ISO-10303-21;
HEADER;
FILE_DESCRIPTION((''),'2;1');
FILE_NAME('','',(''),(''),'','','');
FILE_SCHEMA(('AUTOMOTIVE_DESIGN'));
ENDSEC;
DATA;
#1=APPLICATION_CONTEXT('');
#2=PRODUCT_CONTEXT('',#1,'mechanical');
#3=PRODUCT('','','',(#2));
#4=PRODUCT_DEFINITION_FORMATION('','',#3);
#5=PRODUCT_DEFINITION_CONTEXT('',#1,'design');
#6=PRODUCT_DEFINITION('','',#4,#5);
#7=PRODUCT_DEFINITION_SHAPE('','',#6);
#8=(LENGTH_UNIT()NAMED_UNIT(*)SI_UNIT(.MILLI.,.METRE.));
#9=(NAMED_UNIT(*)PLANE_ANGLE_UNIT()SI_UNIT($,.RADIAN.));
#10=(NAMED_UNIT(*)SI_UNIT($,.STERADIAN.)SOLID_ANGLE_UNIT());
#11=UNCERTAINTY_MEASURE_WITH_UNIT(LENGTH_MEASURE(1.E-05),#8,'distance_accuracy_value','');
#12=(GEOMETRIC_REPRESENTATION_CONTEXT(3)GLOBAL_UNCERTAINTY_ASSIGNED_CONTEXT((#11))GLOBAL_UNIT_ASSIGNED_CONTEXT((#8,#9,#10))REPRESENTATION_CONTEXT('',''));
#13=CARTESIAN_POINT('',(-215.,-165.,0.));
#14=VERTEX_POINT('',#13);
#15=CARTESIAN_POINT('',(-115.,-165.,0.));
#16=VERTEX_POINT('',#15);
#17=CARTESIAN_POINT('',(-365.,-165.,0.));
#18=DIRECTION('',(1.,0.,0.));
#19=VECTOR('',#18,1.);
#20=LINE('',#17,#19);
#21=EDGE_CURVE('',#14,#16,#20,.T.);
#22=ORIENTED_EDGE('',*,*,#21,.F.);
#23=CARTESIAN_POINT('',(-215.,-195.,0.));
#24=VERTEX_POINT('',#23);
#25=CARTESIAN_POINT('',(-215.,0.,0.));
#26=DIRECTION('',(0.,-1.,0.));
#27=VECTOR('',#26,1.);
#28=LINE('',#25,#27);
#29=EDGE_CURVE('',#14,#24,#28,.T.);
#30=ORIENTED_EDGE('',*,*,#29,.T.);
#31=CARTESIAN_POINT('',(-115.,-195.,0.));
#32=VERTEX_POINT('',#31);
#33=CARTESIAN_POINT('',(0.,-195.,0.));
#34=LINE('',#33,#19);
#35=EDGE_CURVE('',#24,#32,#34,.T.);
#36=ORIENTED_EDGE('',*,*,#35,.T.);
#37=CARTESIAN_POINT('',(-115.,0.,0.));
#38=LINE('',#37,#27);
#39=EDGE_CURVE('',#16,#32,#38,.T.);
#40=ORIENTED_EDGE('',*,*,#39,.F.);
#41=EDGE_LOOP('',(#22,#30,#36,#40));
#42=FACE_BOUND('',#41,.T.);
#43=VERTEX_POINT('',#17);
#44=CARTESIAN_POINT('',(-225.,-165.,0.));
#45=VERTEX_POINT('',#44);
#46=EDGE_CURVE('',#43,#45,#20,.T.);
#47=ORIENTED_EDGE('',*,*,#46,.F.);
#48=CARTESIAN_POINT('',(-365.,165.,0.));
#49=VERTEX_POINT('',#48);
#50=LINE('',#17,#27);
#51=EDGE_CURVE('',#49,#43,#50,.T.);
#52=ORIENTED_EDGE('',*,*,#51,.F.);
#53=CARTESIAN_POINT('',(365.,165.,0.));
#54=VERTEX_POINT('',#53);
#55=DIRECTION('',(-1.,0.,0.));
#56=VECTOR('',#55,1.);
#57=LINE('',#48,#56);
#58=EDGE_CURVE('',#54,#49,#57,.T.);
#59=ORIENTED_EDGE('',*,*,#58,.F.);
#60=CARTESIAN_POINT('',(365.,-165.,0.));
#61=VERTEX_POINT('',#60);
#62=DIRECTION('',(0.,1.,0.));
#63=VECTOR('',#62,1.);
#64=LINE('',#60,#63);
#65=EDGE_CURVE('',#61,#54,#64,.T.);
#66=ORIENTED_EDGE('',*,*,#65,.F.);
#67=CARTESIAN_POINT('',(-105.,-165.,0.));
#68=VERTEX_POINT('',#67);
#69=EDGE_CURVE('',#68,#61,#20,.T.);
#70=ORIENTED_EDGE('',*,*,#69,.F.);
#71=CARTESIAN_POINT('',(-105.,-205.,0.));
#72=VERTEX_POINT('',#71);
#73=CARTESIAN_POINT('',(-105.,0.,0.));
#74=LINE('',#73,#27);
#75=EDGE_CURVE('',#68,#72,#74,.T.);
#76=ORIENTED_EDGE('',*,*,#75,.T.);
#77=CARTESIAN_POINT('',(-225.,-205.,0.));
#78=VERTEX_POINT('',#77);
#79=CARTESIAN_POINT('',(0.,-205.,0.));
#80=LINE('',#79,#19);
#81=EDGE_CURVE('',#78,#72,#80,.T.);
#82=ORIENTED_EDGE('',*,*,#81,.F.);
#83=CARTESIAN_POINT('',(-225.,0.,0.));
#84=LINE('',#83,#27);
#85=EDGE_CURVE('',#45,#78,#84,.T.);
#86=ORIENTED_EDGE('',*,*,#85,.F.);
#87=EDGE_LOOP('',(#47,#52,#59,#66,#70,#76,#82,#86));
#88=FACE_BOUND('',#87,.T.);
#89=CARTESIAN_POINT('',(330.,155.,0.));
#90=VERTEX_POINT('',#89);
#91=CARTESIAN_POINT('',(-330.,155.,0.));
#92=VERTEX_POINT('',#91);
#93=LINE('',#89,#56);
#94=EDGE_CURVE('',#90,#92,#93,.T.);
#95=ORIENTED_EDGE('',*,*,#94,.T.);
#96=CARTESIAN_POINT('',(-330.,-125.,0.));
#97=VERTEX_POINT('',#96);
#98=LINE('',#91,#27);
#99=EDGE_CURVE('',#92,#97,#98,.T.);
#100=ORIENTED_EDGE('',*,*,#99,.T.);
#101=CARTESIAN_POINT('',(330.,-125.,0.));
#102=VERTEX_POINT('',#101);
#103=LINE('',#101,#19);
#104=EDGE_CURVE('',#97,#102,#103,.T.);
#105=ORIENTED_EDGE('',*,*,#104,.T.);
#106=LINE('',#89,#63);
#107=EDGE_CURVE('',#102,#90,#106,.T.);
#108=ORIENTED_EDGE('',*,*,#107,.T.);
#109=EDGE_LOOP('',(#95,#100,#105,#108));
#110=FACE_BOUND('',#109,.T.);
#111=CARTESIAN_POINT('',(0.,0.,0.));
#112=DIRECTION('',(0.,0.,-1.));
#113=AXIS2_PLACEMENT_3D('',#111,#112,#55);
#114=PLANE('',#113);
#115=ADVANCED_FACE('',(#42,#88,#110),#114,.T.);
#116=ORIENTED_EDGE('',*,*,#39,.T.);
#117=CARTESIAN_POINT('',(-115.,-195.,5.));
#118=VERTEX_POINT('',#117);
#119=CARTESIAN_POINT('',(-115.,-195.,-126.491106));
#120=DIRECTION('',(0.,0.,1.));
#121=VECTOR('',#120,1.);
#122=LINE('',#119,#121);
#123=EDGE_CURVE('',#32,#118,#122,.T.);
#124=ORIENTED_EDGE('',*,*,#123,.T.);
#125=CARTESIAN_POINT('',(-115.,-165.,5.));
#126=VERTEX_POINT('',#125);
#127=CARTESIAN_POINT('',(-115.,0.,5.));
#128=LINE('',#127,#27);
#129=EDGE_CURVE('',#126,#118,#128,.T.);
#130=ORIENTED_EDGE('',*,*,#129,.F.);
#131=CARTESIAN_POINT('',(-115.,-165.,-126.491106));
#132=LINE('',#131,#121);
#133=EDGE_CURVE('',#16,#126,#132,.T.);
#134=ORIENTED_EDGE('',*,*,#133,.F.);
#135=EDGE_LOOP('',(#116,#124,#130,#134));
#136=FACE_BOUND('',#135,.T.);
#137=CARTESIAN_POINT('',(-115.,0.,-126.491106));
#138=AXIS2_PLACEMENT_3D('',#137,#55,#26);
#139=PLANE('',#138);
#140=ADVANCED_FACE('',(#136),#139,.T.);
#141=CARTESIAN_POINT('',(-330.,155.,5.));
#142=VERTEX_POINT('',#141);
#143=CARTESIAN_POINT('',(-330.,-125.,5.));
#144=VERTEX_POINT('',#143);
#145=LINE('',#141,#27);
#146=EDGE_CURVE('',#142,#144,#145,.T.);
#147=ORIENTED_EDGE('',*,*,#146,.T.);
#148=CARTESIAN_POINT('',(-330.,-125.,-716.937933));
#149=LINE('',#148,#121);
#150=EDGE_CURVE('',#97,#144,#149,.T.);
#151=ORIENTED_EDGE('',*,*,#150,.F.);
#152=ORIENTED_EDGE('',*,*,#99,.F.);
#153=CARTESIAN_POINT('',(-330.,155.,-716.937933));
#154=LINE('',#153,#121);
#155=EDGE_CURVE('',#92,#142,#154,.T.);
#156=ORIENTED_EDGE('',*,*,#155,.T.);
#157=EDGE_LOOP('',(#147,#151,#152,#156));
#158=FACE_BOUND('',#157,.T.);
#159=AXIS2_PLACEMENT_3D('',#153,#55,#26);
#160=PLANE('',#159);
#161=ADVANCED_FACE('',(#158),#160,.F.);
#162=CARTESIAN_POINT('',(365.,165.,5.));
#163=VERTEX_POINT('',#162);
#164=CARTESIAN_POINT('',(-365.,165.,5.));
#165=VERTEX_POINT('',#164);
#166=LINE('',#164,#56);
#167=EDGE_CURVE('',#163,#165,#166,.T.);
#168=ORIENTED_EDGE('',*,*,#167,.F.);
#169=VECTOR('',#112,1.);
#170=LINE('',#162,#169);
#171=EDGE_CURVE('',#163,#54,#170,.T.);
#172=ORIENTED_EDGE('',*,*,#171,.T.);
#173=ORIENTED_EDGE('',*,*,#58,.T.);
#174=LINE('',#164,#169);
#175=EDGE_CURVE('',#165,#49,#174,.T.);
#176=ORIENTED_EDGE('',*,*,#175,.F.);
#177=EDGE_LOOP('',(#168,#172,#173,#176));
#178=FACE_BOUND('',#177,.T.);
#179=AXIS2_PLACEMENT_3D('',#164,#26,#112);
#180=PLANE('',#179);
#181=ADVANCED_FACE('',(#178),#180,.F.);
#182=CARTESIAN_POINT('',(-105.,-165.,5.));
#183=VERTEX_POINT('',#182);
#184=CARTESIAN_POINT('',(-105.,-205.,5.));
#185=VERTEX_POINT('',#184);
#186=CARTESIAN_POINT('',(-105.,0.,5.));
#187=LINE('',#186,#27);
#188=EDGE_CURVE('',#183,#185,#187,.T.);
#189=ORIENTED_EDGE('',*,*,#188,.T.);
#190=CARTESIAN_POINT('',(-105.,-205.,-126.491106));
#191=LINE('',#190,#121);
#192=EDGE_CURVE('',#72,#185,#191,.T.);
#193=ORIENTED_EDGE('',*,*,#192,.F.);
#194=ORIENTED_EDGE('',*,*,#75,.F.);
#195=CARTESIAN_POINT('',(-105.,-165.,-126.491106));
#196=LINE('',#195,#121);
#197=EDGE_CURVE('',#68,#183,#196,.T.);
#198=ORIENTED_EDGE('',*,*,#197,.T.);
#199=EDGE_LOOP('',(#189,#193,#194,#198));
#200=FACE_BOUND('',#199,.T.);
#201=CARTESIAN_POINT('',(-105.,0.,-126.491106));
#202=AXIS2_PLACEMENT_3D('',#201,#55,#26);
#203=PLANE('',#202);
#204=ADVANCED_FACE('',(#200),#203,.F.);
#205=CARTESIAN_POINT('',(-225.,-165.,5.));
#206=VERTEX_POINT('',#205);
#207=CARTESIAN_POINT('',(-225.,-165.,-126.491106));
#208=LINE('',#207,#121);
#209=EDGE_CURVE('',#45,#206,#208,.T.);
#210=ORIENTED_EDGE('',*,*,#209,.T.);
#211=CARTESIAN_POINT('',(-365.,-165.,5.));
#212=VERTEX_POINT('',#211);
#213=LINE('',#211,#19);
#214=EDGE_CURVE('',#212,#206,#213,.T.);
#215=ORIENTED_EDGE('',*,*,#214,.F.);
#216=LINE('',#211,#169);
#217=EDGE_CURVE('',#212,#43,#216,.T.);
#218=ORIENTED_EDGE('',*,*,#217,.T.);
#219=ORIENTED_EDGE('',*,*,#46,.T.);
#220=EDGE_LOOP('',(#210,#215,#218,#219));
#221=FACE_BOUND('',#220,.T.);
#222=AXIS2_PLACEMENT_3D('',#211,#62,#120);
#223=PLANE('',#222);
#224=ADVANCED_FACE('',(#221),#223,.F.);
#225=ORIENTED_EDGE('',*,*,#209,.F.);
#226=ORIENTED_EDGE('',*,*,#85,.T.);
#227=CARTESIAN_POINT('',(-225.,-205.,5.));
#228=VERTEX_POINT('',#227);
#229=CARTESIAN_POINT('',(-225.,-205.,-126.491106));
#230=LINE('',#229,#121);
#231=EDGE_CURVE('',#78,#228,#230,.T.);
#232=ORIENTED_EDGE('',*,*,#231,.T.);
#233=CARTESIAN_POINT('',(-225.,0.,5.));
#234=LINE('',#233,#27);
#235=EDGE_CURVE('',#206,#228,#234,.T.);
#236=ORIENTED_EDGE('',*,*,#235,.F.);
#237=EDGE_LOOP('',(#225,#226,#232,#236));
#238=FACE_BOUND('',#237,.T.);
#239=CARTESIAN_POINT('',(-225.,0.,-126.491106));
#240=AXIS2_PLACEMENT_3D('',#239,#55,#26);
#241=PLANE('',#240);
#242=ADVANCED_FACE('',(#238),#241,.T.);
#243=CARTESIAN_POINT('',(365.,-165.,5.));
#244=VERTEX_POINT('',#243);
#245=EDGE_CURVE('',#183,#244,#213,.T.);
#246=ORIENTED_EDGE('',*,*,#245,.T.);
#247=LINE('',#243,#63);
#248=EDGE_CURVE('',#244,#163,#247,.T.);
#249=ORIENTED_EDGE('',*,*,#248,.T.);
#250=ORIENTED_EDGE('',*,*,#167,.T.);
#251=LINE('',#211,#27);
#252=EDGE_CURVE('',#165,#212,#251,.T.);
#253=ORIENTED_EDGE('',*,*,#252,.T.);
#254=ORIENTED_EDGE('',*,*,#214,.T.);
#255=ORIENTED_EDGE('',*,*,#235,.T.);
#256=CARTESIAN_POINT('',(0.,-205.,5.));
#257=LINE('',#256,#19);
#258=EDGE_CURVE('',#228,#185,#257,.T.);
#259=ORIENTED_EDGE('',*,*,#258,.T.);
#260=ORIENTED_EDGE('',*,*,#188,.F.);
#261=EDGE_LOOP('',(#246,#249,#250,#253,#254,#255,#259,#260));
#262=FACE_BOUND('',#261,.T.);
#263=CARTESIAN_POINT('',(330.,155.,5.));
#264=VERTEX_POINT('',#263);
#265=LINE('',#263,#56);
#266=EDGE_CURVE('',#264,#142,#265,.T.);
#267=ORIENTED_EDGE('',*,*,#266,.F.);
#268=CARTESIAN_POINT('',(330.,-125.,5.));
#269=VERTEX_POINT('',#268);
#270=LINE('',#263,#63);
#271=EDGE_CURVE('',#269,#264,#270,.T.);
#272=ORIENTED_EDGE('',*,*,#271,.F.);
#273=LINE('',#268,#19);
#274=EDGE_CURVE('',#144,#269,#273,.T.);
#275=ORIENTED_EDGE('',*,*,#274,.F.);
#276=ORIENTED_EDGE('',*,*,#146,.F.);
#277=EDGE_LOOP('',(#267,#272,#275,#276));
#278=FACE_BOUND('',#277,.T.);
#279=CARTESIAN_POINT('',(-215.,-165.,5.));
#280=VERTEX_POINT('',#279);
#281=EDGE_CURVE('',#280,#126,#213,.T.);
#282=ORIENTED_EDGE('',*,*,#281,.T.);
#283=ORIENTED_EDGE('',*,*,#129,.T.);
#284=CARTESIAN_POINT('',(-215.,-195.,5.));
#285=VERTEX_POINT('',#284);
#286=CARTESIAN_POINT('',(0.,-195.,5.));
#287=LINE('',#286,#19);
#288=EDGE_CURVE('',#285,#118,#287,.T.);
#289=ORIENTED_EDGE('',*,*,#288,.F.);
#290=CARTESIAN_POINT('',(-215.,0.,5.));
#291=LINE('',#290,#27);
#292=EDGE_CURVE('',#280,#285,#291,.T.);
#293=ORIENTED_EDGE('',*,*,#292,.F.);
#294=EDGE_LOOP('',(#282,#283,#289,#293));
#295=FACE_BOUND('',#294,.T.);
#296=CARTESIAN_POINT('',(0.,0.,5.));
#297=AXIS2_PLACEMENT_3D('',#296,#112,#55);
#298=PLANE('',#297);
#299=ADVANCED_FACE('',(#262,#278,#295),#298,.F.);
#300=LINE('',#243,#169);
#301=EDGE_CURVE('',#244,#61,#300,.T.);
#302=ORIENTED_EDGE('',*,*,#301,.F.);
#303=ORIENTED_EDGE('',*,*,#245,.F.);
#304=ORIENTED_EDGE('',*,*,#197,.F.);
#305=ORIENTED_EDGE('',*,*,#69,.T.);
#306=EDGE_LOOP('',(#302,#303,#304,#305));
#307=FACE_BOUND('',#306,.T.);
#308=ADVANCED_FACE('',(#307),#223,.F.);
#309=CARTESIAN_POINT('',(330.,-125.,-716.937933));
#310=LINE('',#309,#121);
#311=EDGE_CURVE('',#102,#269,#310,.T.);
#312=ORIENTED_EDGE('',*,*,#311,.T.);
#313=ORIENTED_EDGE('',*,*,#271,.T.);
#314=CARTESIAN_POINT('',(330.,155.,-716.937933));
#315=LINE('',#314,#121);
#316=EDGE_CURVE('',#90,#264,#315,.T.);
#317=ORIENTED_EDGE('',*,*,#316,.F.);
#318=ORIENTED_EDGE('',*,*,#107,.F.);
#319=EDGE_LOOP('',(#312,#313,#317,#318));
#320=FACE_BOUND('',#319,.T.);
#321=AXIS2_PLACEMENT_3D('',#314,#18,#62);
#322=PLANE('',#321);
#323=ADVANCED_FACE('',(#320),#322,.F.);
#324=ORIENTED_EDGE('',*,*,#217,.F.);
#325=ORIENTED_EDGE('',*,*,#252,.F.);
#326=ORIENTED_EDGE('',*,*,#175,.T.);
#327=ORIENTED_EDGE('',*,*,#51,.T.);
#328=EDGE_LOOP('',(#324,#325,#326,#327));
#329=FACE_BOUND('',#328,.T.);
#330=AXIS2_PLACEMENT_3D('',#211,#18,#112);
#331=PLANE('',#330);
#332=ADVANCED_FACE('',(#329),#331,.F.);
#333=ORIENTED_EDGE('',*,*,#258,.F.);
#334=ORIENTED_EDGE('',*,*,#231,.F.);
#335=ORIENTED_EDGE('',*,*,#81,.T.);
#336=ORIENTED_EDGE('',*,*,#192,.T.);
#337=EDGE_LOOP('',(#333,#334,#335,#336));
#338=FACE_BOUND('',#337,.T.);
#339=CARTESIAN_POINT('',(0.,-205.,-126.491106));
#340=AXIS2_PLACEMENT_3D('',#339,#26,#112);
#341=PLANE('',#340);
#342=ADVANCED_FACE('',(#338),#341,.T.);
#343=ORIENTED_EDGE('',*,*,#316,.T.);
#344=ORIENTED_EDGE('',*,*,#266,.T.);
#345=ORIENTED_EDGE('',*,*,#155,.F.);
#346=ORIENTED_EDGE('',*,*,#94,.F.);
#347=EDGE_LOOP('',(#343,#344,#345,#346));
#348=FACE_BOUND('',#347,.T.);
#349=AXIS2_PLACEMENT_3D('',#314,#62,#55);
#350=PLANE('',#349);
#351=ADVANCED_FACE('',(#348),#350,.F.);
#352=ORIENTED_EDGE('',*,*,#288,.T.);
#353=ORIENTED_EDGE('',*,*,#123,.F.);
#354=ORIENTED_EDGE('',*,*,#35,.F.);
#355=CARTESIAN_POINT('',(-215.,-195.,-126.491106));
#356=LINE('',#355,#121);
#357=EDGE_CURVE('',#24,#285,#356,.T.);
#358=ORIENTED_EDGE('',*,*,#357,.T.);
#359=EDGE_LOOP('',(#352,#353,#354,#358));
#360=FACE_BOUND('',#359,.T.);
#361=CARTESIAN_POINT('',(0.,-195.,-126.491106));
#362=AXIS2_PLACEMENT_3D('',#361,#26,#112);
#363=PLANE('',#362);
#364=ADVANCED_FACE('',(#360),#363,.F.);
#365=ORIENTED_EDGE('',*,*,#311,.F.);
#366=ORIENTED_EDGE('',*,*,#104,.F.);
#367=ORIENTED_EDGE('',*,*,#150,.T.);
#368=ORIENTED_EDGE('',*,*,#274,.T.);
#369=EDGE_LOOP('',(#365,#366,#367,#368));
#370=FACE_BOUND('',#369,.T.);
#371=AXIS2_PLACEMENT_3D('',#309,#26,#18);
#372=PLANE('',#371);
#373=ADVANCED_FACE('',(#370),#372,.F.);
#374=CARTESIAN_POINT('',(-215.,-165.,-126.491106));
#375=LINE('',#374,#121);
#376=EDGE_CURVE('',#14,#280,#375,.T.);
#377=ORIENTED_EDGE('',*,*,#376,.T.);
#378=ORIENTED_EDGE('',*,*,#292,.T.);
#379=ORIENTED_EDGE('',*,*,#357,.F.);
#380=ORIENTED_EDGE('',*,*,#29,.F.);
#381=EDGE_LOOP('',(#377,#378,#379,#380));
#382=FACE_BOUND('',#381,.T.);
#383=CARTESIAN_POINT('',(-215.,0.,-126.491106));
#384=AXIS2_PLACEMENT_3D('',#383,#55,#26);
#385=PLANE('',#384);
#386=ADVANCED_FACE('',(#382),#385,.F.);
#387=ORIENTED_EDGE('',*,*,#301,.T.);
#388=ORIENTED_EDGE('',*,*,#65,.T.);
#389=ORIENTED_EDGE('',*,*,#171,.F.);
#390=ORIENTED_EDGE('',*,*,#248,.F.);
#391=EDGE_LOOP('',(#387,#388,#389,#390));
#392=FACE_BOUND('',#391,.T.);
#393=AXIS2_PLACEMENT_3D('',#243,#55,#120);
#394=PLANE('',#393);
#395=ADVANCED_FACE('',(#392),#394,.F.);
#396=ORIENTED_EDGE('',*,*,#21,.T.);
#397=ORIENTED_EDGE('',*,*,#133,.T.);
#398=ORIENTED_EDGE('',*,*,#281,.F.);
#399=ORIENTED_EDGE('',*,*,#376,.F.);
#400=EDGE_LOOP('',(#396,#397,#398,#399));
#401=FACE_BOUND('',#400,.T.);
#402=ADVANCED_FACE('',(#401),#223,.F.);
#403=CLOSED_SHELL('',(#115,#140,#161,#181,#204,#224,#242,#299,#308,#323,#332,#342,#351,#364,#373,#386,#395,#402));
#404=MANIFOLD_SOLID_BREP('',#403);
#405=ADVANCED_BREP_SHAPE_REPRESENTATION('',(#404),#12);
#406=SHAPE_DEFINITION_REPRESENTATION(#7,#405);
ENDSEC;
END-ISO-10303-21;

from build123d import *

# Parameters (mm, degrees)
CROQUIS2_W              = 730
CROQUIS2_H              = 330
SALIENTE_EXTRUIR2_DEPTH = 5
CROQUIS4_W              = 660
CROQUIS4_H              = 280
CORTAR_EXTRUIR1_DEPTH   = 5
SALIENTE_EXTRUIR3_DEPTH = 5


with BuildPart() as part:
    # Croquis2 → Saliente-Extruir2 (new body)
    with BuildSketch(Plane.XY):
        Rectangle(CROQUIS2_W, CROQUIS2_H)
    extrude(amount=SALIENTE_EXTRUIR2_DEPTH)

    # Croquis4 → Cortar-Extruir1 (cut)
    with BuildSketch(Plane.XY.offset(5)):
        with Locations((0, 15)):
            Rectangle(CROQUIS4_W, CROQUIS4_H)
    extrude(amount=-CORTAR_EXTRUIR1_DEPTH, mode=Mode.SUBTRACT)

    # Croquis5 → Saliente-Extruir3 (add)
    with BuildSketch(Plane.XY.offset(5)):
        Polygon((-215, -165), (-225, -165), (-225, -205), (-105, -205), (-105, -165), (-115, -165), (-115, -195), (-215, -195), align=None)
    extrude(amount=-SALIENTE_EXTRUIR3_DEPTH)


solid = part.part
